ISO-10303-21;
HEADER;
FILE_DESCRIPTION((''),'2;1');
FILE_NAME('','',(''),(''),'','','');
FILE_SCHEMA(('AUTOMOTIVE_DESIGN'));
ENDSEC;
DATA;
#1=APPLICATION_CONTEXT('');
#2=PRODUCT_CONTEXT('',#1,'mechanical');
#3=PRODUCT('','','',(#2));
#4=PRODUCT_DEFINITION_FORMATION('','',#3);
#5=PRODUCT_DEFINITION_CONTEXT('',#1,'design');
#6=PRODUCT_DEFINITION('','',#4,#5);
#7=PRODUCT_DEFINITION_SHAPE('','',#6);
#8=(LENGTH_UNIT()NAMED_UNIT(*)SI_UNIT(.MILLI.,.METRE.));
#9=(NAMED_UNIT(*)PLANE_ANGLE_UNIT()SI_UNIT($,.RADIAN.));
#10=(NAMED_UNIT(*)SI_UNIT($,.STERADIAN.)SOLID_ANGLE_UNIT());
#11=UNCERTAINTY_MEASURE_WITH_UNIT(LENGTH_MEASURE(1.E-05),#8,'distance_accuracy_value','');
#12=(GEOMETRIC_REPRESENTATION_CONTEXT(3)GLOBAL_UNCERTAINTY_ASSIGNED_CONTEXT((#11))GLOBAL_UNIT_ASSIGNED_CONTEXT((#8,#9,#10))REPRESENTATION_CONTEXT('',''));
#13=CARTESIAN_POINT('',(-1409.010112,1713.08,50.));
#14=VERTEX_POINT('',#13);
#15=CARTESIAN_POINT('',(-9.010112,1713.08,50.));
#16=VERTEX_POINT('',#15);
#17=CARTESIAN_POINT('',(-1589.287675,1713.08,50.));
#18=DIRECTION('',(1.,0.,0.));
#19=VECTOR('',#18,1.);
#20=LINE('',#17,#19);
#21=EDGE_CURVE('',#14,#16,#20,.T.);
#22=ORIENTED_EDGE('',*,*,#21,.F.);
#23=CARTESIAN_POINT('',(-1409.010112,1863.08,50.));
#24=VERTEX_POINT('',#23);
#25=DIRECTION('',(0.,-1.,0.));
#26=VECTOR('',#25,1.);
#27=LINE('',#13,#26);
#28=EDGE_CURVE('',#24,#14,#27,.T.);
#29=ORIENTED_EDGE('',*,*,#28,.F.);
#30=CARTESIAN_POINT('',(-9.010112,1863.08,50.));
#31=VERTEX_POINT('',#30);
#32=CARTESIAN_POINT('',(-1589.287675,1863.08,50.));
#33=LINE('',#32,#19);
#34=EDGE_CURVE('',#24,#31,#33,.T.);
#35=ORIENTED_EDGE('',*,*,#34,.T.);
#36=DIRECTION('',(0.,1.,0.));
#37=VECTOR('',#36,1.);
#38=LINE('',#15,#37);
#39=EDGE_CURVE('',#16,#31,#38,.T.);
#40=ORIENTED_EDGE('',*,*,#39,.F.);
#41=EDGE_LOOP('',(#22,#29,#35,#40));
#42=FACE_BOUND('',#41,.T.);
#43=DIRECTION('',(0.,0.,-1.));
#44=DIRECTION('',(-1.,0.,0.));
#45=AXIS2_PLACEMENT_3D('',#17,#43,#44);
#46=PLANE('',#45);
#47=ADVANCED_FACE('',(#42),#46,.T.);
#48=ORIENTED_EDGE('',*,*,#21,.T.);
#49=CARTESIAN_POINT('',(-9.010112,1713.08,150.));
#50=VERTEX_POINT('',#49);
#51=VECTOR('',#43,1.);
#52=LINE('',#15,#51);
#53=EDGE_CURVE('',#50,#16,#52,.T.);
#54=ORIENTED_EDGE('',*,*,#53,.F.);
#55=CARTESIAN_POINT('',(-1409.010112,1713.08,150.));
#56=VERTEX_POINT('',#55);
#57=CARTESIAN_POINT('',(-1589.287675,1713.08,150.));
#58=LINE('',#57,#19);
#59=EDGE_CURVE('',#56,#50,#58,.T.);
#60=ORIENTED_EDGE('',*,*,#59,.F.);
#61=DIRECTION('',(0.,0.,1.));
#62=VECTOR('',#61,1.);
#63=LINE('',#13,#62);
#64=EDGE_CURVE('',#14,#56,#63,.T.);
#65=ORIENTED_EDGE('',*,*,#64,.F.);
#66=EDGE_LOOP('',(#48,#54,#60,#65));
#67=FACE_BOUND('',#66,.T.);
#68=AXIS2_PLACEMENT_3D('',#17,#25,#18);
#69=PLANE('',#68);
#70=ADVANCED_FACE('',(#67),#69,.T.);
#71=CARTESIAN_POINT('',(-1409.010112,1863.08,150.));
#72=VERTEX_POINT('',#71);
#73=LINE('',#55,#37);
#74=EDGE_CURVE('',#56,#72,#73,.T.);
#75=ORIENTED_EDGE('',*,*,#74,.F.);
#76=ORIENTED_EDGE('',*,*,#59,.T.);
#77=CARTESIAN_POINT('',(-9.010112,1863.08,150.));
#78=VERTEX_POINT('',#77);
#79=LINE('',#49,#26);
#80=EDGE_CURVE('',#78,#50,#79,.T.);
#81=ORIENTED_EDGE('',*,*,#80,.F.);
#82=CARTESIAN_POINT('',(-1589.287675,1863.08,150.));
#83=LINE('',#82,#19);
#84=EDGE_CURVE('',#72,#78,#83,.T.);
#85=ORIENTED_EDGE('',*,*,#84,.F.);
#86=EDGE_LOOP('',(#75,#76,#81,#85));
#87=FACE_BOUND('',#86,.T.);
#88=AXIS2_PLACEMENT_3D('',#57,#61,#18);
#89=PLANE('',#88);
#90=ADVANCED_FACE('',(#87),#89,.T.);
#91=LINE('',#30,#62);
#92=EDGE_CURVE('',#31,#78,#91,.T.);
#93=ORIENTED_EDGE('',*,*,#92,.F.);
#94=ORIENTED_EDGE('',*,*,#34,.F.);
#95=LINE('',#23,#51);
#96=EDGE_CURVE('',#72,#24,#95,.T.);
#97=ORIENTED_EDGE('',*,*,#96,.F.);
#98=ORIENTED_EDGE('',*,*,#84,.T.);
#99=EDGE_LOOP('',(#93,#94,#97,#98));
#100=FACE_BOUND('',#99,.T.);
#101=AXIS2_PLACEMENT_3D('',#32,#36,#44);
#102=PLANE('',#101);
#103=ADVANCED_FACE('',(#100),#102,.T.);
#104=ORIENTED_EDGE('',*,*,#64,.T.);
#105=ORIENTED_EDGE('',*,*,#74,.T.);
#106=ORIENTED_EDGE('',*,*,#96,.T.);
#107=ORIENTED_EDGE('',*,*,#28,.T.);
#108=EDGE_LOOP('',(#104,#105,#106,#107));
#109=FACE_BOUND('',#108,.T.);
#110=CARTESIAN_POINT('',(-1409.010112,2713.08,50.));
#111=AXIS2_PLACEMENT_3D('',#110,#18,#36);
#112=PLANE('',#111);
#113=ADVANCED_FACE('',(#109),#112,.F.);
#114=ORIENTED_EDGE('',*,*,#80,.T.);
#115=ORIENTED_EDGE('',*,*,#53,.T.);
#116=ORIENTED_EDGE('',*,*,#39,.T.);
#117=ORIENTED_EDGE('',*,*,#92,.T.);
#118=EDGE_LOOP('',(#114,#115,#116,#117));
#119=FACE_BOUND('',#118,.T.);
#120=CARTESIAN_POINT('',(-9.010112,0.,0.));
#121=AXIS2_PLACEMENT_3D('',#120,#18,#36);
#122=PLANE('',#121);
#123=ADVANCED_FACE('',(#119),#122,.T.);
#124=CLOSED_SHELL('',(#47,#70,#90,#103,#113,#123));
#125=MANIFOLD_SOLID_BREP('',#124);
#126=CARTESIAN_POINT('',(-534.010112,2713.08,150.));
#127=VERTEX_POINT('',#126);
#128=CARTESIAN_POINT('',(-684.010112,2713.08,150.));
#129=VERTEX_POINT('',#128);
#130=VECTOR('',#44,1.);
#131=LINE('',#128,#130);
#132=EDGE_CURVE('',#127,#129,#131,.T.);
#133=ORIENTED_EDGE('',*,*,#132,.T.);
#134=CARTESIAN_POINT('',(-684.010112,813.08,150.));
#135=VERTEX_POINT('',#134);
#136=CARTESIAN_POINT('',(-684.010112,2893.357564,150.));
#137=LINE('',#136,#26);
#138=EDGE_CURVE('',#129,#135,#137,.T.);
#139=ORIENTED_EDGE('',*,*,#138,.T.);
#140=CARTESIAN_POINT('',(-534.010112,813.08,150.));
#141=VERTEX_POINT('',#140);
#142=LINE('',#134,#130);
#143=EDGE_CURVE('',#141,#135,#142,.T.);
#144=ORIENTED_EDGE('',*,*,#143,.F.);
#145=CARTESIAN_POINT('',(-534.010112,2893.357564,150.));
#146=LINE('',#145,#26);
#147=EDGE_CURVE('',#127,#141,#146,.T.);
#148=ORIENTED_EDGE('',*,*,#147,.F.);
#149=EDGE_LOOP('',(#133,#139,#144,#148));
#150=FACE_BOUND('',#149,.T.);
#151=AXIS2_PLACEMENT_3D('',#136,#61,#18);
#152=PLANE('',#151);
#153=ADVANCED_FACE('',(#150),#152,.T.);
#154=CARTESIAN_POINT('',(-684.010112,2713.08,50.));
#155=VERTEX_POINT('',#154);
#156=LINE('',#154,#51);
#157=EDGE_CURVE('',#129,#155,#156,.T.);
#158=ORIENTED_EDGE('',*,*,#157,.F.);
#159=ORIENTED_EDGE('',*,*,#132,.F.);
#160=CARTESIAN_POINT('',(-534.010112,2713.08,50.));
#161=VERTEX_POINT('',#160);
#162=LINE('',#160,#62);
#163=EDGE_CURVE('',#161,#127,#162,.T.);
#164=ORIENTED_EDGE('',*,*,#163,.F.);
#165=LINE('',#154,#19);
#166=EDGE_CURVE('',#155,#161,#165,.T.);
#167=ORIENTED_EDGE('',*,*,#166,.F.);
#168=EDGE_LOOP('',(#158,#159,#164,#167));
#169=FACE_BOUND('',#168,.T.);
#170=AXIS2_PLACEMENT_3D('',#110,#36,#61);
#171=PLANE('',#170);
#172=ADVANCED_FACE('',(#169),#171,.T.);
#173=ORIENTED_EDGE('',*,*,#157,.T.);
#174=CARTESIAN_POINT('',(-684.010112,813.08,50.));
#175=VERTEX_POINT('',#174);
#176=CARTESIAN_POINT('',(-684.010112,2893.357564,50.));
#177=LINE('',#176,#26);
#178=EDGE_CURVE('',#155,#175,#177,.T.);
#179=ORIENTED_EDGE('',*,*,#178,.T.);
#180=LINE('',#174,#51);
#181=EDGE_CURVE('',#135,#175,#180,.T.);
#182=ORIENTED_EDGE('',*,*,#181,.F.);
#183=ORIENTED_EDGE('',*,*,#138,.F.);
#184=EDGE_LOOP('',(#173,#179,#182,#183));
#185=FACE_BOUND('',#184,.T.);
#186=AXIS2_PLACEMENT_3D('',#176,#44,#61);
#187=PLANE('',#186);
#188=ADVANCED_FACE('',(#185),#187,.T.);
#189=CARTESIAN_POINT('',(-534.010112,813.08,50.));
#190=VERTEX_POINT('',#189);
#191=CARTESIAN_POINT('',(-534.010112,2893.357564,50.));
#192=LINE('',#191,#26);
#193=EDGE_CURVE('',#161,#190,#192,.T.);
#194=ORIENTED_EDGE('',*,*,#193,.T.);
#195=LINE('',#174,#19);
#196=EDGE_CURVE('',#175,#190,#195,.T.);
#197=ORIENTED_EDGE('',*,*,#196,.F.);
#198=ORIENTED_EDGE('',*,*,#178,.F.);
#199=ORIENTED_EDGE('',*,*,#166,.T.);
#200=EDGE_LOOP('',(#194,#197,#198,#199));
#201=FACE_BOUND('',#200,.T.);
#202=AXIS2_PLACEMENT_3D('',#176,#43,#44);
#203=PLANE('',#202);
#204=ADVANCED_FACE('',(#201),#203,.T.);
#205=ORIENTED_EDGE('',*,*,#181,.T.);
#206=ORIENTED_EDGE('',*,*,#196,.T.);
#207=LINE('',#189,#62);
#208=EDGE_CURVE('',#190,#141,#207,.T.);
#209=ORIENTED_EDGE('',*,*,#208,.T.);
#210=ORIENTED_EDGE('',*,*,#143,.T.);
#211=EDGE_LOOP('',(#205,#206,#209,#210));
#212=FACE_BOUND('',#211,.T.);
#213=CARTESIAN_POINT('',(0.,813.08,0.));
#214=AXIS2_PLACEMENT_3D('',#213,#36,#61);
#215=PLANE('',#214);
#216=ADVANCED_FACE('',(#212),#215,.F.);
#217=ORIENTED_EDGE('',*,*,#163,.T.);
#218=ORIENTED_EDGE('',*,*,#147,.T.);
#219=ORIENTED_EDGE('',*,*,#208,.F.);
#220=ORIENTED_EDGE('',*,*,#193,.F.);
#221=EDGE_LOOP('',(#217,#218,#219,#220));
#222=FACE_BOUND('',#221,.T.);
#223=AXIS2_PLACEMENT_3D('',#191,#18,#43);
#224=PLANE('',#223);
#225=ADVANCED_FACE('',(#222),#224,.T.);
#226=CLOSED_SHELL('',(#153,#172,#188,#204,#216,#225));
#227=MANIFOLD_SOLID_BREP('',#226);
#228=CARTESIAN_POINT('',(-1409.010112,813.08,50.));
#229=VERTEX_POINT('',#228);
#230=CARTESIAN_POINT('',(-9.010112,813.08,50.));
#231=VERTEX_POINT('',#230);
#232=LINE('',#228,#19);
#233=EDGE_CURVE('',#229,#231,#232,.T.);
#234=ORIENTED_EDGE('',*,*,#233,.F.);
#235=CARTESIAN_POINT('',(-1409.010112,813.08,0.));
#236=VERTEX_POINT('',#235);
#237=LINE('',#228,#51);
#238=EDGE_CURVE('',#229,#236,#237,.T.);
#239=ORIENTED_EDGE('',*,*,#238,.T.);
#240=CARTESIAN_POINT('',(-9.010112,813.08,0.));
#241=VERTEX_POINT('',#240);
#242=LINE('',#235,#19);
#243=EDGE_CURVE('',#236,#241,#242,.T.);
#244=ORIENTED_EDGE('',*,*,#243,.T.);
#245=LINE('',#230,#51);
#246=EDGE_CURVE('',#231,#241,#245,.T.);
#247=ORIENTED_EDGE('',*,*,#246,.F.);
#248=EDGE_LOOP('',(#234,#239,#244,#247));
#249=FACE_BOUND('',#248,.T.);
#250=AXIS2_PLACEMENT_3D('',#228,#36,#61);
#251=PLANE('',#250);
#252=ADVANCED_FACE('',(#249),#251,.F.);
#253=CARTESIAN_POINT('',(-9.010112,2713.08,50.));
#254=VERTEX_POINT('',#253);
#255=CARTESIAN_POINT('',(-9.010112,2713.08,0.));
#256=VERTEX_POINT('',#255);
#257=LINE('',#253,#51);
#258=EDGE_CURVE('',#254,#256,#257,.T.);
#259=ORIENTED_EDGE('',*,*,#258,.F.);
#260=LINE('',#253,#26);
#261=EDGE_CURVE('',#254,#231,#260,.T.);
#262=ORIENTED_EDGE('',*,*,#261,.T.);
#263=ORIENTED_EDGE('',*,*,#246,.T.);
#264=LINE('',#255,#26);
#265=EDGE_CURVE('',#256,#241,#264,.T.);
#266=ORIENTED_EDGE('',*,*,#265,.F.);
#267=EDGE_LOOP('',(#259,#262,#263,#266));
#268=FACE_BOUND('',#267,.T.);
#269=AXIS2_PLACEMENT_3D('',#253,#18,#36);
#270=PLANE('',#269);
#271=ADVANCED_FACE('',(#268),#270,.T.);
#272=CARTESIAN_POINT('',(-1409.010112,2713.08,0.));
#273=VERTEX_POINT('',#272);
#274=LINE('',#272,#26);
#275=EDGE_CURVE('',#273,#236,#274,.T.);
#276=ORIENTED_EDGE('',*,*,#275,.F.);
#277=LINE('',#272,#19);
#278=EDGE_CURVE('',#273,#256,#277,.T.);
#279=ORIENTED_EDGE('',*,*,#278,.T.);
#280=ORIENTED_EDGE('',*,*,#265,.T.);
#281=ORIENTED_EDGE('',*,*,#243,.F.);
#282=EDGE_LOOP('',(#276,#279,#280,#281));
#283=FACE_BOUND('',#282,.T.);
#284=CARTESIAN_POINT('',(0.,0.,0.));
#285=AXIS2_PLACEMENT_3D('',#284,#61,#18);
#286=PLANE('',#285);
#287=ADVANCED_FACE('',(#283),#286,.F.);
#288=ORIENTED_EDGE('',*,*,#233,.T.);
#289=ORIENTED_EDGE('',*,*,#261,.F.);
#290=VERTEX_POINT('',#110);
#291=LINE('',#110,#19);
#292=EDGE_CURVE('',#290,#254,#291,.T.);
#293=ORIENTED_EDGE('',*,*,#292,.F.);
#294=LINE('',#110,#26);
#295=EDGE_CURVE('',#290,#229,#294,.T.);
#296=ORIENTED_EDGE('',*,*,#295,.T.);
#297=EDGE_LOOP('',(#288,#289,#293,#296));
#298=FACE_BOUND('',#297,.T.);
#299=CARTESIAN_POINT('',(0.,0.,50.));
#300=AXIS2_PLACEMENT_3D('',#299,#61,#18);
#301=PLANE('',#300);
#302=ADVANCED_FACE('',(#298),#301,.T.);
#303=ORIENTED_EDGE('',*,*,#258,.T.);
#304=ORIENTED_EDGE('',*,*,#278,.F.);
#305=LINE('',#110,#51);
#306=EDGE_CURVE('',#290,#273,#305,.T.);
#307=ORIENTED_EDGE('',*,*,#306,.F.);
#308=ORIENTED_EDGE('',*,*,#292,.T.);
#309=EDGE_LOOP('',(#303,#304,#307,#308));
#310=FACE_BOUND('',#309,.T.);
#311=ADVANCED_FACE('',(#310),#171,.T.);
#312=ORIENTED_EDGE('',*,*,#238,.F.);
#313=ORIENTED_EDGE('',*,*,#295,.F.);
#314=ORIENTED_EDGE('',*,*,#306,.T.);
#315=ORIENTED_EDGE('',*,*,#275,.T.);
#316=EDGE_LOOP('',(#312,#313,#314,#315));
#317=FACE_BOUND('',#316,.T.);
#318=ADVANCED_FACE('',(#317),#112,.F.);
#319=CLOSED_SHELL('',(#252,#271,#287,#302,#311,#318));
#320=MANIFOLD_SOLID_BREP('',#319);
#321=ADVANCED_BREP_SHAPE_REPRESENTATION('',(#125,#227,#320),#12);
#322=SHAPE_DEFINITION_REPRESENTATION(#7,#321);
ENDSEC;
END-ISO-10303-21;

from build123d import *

# Parameters (mm, degrees)
SKETCH1_W           = 1400
SKETCH1_H           = 1900
BOSS_EXTRUDE1_DEPTH = 50
SKETCH3_W           = 100
SKETCH3_H           = 150
BOSS_EXTRUDE3_DEPTH = 1400
SKETCH4_W           = 150
SKETCH4_H           = 100
BOSS_EXTRUDE4_DEPTH = 1900


with BuildPart() as part:
    # Sketch1 → Boss-Extrude1 (new body)
    with BuildSketch(Plane.XY):
        with Locations((-709.010111523, 1763.08)):
            Rectangle(SKETCH1_W, SKETCH1_H)
    extrude(amount=BOSS_EXTRUDE1_DEPTH)


with BuildPart() as body_2:
    # Sketch3 → Boss-Extrude3 (new body)
    with BuildSketch(Plane(origin=(-9.010111523, 0, 0), x_dir=(0, 0, -1), z_dir=(1, 0, 0))):
        with Locations((-100, 1788.08)):
            Rectangle(SKETCH3_W, SKETCH3_H)
    extrude(amount=-BOSS_EXTRUDE3_DEPTH)


with BuildPart() as body_3:
    # Sketch4 → Boss-Extrude4 (new body)
    with BuildSketch(Plane.XZ.offset(-813.08)):
        with Locations((-609.010111523, 100)):
            Rectangle(SKETCH4_W, SKETCH4_H)
    extrude(amount=-BOSS_EXTRUDE4_DEPTH)


solid = Compound([part.part, body_2.part, body_3.part])
